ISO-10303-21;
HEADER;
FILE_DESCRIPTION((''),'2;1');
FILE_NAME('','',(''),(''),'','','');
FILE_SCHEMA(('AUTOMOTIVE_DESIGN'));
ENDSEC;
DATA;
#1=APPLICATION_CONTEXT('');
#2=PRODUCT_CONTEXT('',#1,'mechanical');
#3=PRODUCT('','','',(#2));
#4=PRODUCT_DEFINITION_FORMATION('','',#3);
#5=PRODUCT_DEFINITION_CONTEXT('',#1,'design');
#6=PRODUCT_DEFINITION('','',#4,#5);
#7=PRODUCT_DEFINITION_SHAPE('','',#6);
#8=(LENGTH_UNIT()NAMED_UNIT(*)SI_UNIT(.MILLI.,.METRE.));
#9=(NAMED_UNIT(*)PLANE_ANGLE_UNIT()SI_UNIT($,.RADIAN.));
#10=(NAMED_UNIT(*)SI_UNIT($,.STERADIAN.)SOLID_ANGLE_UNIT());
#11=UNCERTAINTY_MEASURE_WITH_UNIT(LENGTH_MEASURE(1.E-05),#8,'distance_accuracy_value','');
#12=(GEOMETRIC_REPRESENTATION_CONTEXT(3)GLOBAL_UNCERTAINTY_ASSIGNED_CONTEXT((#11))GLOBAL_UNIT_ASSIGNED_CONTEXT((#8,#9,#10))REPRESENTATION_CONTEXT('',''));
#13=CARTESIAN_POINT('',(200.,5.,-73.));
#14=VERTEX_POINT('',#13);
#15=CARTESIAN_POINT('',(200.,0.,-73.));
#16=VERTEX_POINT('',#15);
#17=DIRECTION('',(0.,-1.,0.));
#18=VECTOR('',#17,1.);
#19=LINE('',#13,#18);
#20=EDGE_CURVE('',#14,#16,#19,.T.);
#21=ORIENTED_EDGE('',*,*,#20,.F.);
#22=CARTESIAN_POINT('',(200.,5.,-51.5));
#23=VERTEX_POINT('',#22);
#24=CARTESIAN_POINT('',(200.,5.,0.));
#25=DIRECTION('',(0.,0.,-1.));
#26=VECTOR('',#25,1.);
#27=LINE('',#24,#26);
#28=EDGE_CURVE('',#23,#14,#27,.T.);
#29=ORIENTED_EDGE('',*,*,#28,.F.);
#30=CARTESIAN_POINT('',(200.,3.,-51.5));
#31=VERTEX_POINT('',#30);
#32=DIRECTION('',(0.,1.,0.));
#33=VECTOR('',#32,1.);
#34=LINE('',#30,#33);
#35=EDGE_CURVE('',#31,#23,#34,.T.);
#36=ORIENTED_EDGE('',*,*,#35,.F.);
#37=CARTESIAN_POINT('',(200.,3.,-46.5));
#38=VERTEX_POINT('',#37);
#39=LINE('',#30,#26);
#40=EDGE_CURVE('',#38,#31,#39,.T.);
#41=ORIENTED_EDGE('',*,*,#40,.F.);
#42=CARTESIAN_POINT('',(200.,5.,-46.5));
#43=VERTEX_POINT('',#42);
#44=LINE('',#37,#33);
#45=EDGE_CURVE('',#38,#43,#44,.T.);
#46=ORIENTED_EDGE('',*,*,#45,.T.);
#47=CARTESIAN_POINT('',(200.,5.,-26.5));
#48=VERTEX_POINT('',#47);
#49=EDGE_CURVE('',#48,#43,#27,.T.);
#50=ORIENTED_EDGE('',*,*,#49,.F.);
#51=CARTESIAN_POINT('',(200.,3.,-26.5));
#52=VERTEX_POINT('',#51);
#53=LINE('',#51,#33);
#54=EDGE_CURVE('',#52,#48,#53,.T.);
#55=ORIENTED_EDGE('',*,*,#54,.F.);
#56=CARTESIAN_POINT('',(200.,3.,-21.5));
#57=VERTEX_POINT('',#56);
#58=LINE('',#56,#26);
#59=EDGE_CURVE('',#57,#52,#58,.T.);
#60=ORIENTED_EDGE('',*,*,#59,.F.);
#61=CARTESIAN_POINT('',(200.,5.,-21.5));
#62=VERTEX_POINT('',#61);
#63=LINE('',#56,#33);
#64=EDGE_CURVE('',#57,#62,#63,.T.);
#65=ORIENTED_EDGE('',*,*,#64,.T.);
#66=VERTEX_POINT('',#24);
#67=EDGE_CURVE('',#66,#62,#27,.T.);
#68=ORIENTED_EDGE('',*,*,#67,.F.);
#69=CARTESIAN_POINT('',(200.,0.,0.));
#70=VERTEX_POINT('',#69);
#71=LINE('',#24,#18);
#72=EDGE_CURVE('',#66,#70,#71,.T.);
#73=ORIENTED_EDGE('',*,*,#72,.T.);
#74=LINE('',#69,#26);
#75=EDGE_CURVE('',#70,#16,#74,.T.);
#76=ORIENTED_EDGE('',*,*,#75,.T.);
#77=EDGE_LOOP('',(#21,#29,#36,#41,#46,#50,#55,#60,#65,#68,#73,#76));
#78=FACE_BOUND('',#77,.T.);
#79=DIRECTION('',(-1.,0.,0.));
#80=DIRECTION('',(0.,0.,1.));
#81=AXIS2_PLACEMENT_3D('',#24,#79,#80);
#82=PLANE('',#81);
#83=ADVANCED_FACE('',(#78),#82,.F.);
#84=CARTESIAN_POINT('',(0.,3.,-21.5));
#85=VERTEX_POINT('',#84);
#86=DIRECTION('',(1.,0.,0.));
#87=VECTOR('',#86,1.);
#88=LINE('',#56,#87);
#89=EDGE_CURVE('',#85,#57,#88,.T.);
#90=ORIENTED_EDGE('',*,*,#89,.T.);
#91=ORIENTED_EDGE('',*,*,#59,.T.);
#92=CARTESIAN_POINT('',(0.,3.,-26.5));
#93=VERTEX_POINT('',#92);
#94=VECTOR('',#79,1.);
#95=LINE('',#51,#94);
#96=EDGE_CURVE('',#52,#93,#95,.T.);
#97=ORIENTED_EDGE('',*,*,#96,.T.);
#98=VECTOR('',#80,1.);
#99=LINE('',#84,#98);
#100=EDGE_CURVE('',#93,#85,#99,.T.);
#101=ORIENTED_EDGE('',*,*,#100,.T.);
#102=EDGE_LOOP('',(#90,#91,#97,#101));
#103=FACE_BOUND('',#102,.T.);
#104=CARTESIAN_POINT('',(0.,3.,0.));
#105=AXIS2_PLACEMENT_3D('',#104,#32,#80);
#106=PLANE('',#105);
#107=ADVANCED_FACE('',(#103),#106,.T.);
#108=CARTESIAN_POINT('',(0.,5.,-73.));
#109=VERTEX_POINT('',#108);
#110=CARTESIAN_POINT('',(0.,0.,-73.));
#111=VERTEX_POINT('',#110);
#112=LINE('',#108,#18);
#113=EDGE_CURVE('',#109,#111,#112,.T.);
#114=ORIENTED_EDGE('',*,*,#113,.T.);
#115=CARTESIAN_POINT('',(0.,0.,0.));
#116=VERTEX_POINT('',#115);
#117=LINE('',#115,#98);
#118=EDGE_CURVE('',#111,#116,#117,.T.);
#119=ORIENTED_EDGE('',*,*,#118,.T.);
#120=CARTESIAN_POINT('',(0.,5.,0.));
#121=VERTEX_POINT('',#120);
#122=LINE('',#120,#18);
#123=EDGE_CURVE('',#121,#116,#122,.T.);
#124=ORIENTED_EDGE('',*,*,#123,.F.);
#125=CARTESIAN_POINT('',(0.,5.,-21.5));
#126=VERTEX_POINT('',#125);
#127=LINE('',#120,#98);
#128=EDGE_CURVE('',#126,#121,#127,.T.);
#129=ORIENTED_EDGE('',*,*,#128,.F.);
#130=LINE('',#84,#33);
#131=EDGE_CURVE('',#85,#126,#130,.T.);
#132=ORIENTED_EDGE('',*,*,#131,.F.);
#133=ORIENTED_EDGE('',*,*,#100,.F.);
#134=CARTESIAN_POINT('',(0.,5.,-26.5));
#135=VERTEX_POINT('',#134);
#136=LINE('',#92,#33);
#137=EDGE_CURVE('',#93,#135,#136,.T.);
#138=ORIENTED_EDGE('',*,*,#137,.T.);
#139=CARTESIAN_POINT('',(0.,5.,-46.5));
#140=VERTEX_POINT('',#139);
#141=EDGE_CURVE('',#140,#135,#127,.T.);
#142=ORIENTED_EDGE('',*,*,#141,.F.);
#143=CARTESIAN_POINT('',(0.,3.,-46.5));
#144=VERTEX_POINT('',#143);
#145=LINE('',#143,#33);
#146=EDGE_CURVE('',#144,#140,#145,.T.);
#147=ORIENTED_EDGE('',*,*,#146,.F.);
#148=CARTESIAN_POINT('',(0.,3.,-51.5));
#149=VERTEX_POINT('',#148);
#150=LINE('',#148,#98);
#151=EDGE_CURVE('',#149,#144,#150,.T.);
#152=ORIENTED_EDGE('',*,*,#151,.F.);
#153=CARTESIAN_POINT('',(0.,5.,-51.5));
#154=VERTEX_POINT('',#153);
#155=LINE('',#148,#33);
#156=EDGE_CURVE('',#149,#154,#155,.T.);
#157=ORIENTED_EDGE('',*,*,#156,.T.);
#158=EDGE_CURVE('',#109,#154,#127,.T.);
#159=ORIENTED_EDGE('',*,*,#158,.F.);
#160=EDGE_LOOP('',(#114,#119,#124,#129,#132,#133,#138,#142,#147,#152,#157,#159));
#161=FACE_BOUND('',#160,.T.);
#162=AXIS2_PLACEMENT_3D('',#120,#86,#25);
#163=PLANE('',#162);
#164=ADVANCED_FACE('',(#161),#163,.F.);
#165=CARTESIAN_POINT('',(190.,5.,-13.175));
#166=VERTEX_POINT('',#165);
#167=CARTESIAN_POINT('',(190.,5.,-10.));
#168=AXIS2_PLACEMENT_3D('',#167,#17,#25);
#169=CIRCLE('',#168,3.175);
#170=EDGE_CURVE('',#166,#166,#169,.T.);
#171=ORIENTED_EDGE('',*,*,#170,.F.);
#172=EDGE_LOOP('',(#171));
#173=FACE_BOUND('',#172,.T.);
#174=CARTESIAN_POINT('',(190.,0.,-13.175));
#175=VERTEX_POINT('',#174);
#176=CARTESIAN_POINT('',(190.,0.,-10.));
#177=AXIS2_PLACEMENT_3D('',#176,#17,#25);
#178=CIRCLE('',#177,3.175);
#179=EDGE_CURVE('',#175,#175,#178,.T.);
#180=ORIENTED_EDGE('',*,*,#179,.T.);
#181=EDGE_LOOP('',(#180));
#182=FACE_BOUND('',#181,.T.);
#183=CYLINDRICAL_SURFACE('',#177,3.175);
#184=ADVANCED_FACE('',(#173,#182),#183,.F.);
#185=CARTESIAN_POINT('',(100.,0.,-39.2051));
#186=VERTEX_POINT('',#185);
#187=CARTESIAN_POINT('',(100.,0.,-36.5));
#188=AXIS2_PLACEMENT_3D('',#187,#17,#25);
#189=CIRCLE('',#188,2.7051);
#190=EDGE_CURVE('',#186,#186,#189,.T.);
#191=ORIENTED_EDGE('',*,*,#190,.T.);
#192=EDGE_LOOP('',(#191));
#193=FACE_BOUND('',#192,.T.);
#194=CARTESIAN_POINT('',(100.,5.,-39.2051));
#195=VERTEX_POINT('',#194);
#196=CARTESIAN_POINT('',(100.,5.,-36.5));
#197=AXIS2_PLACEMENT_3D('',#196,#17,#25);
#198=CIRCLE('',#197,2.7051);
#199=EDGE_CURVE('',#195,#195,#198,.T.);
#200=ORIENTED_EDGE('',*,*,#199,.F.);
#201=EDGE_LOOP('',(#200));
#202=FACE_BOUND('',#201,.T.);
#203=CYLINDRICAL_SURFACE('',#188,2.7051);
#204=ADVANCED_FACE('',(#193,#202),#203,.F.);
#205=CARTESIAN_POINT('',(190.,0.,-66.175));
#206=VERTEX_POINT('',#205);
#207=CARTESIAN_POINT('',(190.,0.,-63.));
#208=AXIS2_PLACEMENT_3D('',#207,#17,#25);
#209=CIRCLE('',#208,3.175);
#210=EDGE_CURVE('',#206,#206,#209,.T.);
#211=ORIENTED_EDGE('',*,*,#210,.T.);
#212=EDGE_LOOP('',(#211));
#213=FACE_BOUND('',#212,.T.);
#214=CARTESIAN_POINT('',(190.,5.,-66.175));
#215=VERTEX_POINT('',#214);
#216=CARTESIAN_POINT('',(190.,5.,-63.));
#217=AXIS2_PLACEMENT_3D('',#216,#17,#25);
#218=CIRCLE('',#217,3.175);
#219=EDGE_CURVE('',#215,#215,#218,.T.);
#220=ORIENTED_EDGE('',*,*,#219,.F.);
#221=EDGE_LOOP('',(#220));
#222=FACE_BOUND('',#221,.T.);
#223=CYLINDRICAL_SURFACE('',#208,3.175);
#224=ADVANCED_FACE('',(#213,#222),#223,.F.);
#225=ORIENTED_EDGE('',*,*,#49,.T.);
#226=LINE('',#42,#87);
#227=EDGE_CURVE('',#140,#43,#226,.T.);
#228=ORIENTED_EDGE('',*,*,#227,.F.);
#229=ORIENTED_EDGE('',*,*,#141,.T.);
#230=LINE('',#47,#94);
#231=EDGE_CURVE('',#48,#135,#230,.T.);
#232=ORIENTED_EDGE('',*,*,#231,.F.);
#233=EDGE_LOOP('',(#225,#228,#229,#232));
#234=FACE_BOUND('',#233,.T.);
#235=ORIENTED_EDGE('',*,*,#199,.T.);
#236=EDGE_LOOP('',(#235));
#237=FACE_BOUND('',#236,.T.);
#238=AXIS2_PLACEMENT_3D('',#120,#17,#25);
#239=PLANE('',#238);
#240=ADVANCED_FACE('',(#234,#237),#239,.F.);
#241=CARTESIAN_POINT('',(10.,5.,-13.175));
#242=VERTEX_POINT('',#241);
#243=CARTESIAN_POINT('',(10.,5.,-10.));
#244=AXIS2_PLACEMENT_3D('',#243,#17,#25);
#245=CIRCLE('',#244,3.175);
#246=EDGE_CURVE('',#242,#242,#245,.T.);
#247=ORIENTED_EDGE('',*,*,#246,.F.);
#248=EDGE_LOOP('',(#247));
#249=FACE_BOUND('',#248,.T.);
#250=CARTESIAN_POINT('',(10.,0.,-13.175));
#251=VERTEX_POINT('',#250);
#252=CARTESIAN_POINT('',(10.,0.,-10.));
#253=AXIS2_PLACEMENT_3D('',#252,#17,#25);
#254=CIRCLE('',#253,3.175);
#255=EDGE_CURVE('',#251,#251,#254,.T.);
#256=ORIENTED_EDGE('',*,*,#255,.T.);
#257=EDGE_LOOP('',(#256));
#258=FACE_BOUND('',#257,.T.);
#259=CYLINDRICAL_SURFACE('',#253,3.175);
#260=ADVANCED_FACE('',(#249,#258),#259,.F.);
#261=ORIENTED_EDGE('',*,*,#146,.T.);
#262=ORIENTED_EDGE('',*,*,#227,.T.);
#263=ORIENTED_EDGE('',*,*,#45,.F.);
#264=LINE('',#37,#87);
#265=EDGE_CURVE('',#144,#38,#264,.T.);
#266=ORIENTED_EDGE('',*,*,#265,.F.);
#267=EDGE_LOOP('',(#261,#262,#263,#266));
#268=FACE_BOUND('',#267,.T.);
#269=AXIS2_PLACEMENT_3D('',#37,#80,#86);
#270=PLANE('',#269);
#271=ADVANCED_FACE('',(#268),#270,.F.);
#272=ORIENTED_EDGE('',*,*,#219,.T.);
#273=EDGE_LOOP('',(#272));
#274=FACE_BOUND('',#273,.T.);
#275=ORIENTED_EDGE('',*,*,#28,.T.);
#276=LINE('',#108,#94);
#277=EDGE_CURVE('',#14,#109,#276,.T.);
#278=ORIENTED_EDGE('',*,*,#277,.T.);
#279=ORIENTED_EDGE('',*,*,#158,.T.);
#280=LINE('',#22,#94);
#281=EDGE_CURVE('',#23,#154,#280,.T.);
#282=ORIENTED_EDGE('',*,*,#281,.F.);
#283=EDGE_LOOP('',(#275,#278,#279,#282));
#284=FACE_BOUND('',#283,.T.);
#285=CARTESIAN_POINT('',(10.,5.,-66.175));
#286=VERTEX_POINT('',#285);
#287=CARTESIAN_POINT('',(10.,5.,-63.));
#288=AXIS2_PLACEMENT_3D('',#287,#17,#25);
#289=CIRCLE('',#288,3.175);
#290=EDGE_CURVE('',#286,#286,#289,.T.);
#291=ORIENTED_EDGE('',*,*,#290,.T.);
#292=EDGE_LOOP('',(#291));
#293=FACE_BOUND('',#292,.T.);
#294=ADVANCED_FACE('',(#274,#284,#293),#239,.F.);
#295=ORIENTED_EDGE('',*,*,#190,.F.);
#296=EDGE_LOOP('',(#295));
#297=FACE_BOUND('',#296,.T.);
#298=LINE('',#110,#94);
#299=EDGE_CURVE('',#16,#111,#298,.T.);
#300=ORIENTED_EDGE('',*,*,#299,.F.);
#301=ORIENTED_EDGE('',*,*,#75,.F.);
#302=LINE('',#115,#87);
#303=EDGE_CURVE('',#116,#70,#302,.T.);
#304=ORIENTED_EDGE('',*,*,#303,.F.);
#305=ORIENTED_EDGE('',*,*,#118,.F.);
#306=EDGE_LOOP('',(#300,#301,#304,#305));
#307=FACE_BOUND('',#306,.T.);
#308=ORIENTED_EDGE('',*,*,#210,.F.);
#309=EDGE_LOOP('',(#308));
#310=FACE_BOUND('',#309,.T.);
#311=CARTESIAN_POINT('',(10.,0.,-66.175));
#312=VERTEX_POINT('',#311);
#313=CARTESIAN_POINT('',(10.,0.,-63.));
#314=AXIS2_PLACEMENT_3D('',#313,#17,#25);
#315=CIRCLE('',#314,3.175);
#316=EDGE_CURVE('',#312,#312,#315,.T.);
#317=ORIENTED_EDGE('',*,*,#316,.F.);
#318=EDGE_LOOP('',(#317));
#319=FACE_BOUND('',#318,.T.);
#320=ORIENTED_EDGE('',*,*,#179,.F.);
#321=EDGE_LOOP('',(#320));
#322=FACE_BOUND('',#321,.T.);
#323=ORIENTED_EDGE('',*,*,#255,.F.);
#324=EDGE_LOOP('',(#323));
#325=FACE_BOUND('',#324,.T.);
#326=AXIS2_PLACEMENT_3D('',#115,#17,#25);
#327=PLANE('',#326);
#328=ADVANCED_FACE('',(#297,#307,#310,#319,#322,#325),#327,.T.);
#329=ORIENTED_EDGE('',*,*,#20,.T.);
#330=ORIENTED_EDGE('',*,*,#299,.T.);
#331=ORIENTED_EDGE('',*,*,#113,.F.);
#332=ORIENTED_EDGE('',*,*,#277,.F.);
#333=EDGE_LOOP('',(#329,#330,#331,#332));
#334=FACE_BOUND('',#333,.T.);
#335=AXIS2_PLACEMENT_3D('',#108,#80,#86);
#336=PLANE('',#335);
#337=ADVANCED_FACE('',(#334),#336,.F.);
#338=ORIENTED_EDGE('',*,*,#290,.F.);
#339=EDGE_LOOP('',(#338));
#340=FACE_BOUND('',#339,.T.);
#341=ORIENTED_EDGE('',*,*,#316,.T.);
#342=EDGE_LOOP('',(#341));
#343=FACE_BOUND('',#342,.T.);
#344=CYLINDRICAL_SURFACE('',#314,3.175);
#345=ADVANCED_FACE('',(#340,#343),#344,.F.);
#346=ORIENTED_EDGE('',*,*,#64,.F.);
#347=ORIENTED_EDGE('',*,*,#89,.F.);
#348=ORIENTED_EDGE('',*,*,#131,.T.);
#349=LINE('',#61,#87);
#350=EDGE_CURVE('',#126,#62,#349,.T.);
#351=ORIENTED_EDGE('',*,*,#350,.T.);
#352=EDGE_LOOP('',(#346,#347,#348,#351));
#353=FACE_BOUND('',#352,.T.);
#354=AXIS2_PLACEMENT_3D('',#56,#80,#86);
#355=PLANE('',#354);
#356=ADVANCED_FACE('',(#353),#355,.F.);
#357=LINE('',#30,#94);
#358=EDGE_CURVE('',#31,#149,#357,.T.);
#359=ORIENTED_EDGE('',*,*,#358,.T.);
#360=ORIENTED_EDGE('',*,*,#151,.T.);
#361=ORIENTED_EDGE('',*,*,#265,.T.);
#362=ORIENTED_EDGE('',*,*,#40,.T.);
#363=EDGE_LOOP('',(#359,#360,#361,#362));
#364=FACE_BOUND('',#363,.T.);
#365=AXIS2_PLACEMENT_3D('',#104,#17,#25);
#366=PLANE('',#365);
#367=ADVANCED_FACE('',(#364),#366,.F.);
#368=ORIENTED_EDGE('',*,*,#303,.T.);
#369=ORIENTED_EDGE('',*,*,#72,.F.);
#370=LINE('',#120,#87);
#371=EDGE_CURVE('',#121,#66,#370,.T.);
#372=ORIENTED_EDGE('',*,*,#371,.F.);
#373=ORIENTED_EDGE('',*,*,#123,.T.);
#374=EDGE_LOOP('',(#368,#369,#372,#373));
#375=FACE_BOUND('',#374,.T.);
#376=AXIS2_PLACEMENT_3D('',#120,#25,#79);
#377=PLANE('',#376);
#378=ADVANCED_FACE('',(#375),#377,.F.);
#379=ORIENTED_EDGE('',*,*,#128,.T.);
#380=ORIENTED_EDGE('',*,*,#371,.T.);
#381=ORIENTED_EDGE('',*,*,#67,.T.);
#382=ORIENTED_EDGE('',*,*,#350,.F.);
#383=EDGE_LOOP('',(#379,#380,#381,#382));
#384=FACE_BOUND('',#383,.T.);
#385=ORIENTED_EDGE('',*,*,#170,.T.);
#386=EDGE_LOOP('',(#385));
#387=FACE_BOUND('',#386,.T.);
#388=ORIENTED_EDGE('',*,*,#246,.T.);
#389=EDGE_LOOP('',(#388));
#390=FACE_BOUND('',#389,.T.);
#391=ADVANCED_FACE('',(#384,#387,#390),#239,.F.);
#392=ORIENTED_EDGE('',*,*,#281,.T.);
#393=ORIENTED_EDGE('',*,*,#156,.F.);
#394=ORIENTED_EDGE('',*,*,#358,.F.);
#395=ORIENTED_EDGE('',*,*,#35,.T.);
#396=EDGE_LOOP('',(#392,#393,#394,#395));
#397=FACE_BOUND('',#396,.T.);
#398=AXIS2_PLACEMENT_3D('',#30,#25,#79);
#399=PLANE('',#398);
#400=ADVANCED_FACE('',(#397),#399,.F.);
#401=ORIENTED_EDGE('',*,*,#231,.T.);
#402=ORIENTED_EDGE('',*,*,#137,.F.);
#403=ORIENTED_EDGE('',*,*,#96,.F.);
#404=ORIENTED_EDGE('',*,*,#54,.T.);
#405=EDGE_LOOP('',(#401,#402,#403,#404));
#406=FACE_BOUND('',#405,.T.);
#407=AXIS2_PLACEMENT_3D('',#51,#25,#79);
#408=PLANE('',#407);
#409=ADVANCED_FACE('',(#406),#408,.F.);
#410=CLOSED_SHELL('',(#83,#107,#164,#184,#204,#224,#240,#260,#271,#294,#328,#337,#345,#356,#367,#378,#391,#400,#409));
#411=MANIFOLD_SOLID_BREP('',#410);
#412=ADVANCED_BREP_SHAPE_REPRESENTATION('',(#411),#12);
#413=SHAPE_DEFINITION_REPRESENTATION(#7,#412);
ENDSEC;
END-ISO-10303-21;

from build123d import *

# Parameters (mm, degrees)
SKETCH1_W                   = 200
SKETCH1_H                   = 73
RIGHT_WALL_DEPTH            = 5
F_1_4_0_2500_DOWEL_HOLE1_D  = 6.35
TAP_DRILL_FOR_1_4_28_TAP2_D = 5.4102
SKETCH24_W                  = 200
SKETCH24_H                  = 5
CUT_EXTRUDE1_DEPTH          = 2


with BuildPart() as part:
    # Sketch1 → right wall (new body)
    with BuildSketch(Plane(origin=(0, 0, 0), x_dir=(1, 0, 0), z_dir=(0, 1, 0))):
        with Locations((100, 36.5)):
            Rectangle(SKETCH1_W, SKETCH1_H)
    extrude(amount=RIGHT_WALL_DEPTH)

    # 1/4 (0.2500) Dowel Hole1 (through all)
    with Locations(Plane(origin=(0, 0, 0), x_dir=(-1, 0, 0), z_dir=(0, -1, 0))):
        with Locations((-10, 10), (-10, 63), (-190, 63), (-190, 10)):
            Hole(F_1_4_0_2500_DOWEL_HOLE1_D / 2)

    # Tap Drill for 1/4-28 Tap2 (through all)
    with Locations(Plane(origin=(0, 0, 0), x_dir=(-1, 0, 0), z_dir=(0, -1, 0))):
        with Locations((-100, 36.5)):
            Hole(TAP_DRILL_FOR_1_4_28_TAP2_D / 2)

    # Sketch24 → Cut-Extrude1 (cut)
    with BuildSketch(Plane(origin=(0, 5, 0), x_dir=(1, 0, 0), z_dir=(0, 1, 0))):
        with Locations((100, 49)):
            Rectangle(SKETCH24_W, SKETCH24_H)
        with Locations((100, 24)):
            Rectangle(SKETCH24_W, SKETCH24_H)
    extrude(amount=-CUT_EXTRUDE1_DEPTH, mode=Mode.SUBTRACT)


solid = part.part
